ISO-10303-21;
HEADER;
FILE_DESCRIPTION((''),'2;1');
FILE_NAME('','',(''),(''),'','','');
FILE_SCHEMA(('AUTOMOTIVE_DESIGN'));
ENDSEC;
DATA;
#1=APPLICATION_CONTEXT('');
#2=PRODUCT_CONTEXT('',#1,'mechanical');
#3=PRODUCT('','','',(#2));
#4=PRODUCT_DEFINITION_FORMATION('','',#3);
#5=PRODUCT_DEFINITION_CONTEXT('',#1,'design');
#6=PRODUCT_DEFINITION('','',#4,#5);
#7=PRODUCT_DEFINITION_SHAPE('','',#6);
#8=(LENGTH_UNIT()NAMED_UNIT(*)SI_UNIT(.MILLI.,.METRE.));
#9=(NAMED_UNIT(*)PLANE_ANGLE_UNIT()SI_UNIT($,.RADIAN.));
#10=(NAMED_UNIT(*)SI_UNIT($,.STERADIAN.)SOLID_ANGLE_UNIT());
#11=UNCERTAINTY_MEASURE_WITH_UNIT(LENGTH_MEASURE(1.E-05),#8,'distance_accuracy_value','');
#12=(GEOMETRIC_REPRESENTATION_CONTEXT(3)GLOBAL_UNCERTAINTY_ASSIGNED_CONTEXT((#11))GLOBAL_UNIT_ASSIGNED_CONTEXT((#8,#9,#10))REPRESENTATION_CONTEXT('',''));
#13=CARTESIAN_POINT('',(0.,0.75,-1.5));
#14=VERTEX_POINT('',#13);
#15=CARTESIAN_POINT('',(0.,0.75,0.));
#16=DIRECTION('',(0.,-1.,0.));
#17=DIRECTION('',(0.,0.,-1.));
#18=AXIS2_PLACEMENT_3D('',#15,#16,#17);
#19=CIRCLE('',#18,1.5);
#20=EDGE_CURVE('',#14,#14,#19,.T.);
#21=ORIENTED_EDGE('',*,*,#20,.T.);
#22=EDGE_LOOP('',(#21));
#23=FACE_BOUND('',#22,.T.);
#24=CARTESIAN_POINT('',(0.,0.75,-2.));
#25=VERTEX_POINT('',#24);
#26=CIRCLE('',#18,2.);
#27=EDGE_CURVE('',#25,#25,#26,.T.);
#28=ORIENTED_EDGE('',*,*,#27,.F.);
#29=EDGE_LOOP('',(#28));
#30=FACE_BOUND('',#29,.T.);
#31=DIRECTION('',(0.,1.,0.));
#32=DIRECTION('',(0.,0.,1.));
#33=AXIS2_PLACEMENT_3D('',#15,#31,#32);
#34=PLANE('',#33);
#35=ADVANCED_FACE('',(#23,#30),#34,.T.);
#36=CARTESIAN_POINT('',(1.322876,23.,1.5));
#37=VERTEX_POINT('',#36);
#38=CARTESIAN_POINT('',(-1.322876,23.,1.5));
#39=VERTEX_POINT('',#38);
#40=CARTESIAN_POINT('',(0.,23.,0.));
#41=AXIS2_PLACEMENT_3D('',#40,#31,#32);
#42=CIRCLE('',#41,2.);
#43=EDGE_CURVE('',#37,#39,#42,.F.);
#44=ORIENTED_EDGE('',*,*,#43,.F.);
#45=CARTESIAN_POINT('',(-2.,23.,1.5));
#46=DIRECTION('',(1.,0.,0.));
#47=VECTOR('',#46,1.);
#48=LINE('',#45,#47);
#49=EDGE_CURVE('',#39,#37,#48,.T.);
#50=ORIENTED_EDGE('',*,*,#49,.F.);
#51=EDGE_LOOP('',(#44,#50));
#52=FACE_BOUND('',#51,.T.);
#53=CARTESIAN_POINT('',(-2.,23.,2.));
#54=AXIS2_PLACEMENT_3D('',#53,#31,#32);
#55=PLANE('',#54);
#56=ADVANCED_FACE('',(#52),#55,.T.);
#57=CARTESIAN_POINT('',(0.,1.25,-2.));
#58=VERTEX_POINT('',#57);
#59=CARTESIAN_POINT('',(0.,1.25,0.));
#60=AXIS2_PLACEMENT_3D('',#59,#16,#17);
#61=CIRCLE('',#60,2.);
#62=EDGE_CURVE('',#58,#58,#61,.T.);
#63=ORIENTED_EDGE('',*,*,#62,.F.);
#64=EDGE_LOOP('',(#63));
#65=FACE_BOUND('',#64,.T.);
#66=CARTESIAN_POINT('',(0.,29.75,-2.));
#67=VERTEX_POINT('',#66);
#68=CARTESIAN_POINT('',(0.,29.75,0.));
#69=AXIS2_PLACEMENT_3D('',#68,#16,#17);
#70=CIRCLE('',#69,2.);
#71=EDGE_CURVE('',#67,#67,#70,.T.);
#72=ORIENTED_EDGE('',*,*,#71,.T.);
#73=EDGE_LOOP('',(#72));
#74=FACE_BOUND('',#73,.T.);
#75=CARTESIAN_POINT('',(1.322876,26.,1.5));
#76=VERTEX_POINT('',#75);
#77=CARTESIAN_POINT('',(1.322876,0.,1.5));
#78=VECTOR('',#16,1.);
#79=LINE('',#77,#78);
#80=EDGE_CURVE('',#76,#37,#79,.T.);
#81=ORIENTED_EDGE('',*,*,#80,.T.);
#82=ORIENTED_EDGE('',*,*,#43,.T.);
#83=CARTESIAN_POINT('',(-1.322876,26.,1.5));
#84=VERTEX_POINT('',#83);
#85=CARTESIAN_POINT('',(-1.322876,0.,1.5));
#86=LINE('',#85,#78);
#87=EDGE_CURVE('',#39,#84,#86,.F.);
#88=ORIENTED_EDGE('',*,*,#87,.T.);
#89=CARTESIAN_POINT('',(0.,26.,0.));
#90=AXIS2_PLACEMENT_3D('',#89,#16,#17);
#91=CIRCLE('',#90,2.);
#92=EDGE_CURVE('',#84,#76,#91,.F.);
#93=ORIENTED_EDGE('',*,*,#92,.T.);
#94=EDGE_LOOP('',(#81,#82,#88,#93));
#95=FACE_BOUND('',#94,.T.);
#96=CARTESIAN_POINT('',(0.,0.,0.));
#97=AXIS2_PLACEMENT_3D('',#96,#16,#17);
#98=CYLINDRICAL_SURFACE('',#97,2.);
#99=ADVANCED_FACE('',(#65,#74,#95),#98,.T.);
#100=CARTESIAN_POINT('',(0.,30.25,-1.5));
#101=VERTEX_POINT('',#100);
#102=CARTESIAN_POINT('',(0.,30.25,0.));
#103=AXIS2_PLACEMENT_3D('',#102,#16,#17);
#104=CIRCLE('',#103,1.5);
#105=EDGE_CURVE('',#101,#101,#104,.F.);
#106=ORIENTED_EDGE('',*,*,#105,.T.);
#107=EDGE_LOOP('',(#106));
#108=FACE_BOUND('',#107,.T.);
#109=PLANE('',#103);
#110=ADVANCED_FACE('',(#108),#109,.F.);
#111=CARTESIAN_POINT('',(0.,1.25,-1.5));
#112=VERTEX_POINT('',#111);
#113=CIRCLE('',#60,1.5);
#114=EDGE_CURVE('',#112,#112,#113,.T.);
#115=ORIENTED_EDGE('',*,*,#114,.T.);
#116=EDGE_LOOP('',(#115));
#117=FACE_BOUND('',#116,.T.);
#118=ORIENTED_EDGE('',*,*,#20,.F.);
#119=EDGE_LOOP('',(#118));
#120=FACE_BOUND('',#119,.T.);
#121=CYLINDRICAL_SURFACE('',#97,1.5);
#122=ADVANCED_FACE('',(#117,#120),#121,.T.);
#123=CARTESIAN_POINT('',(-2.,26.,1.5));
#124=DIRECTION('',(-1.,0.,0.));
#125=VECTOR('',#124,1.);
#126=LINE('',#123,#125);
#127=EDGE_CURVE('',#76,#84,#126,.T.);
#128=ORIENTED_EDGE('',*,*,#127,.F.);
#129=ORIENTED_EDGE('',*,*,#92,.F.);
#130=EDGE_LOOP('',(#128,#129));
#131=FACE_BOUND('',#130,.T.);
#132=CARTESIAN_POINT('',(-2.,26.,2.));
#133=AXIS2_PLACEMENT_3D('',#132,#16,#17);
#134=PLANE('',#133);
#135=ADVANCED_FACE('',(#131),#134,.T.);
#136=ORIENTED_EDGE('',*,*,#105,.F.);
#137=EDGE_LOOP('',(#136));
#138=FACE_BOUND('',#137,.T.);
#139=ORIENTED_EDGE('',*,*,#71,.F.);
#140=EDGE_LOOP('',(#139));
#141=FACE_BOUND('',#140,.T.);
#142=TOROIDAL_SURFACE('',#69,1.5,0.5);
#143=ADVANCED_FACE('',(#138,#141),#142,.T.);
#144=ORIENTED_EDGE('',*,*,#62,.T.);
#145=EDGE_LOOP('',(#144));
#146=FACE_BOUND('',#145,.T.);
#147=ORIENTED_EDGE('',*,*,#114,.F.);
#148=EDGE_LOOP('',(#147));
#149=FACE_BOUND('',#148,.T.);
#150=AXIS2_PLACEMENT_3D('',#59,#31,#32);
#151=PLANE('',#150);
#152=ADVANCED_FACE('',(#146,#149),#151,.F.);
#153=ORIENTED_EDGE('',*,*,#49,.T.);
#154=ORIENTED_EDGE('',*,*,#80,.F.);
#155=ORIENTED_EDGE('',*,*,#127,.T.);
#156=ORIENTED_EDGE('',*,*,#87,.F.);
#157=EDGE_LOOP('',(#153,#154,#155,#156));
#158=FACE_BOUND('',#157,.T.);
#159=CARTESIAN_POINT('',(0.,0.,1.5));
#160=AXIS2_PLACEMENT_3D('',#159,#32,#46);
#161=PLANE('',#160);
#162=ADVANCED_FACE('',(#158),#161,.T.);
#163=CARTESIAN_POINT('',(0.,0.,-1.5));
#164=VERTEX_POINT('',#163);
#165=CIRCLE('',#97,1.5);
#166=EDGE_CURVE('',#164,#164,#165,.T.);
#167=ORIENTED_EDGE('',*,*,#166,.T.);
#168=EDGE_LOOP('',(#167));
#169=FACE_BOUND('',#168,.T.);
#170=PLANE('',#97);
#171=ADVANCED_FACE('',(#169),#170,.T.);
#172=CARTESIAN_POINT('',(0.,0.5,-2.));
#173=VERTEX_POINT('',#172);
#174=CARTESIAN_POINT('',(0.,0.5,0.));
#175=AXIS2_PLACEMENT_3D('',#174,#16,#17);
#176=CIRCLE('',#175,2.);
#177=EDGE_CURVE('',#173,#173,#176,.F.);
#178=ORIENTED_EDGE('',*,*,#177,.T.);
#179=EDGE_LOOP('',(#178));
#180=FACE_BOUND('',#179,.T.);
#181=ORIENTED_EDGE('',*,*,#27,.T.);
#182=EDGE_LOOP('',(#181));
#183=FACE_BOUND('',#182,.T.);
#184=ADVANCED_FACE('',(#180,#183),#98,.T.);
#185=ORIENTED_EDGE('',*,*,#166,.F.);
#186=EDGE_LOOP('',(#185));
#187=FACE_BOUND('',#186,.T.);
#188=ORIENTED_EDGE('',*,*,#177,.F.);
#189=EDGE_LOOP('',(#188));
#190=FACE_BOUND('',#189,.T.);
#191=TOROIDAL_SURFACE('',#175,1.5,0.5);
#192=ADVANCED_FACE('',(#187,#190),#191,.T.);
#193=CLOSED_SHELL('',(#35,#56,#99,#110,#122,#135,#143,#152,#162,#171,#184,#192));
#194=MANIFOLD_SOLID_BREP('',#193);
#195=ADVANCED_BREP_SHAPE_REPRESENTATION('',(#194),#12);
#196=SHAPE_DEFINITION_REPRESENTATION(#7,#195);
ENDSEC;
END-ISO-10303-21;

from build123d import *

# Parameters (mm, degrees)
FILLET1_R          = 0.5
CUT_EXTRUDE1_START = 1.5
SKETCH2_W          = 4
SKETCH2_H          = 3
CUT_EXTRUDE1_DEPTH = 29.881943651


with BuildPart() as part:
    # Sketch1 → Revolve1 (revolve)
    with BuildSketch(Plane.XY, mode=Mode.PRIVATE) as revolve1_sk:
        Polygon((-2, 0), (0, 0), (0, 30.25), (-2, 30.25), (-2, 1.25), (-1.5, 1.25), (-1.5, 0.75), (-2, 0.75), align=None)
    revolve(revolve1_sk.sketch.rotate(Axis((0, 0, 0), (0, 1, 0)), 270), axis=Axis((0, 0, 0), (0, 1, 0)))

    # Fillet1
    fillet1_edges = [part.edges().sort_by_distance(p)[0] for p in [
        (0, 30.25, 2),
        (0, 0, 2),
    ]]
    fillet(fillet1_edges, radius=FILLET1_R)

    # Sketch2 → Cut-Extrude1 (cut, through all)
    with BuildSketch(Plane.XY.offset(CUT_EXTRUDE1_START)):
        with Locations((0, 24.5)):
            Rectangle(SKETCH2_W, SKETCH2_H)
    extrude(amount=CUT_EXTRUDE1_DEPTH, mode=Mode.SUBTRACT)


solid = part.part
